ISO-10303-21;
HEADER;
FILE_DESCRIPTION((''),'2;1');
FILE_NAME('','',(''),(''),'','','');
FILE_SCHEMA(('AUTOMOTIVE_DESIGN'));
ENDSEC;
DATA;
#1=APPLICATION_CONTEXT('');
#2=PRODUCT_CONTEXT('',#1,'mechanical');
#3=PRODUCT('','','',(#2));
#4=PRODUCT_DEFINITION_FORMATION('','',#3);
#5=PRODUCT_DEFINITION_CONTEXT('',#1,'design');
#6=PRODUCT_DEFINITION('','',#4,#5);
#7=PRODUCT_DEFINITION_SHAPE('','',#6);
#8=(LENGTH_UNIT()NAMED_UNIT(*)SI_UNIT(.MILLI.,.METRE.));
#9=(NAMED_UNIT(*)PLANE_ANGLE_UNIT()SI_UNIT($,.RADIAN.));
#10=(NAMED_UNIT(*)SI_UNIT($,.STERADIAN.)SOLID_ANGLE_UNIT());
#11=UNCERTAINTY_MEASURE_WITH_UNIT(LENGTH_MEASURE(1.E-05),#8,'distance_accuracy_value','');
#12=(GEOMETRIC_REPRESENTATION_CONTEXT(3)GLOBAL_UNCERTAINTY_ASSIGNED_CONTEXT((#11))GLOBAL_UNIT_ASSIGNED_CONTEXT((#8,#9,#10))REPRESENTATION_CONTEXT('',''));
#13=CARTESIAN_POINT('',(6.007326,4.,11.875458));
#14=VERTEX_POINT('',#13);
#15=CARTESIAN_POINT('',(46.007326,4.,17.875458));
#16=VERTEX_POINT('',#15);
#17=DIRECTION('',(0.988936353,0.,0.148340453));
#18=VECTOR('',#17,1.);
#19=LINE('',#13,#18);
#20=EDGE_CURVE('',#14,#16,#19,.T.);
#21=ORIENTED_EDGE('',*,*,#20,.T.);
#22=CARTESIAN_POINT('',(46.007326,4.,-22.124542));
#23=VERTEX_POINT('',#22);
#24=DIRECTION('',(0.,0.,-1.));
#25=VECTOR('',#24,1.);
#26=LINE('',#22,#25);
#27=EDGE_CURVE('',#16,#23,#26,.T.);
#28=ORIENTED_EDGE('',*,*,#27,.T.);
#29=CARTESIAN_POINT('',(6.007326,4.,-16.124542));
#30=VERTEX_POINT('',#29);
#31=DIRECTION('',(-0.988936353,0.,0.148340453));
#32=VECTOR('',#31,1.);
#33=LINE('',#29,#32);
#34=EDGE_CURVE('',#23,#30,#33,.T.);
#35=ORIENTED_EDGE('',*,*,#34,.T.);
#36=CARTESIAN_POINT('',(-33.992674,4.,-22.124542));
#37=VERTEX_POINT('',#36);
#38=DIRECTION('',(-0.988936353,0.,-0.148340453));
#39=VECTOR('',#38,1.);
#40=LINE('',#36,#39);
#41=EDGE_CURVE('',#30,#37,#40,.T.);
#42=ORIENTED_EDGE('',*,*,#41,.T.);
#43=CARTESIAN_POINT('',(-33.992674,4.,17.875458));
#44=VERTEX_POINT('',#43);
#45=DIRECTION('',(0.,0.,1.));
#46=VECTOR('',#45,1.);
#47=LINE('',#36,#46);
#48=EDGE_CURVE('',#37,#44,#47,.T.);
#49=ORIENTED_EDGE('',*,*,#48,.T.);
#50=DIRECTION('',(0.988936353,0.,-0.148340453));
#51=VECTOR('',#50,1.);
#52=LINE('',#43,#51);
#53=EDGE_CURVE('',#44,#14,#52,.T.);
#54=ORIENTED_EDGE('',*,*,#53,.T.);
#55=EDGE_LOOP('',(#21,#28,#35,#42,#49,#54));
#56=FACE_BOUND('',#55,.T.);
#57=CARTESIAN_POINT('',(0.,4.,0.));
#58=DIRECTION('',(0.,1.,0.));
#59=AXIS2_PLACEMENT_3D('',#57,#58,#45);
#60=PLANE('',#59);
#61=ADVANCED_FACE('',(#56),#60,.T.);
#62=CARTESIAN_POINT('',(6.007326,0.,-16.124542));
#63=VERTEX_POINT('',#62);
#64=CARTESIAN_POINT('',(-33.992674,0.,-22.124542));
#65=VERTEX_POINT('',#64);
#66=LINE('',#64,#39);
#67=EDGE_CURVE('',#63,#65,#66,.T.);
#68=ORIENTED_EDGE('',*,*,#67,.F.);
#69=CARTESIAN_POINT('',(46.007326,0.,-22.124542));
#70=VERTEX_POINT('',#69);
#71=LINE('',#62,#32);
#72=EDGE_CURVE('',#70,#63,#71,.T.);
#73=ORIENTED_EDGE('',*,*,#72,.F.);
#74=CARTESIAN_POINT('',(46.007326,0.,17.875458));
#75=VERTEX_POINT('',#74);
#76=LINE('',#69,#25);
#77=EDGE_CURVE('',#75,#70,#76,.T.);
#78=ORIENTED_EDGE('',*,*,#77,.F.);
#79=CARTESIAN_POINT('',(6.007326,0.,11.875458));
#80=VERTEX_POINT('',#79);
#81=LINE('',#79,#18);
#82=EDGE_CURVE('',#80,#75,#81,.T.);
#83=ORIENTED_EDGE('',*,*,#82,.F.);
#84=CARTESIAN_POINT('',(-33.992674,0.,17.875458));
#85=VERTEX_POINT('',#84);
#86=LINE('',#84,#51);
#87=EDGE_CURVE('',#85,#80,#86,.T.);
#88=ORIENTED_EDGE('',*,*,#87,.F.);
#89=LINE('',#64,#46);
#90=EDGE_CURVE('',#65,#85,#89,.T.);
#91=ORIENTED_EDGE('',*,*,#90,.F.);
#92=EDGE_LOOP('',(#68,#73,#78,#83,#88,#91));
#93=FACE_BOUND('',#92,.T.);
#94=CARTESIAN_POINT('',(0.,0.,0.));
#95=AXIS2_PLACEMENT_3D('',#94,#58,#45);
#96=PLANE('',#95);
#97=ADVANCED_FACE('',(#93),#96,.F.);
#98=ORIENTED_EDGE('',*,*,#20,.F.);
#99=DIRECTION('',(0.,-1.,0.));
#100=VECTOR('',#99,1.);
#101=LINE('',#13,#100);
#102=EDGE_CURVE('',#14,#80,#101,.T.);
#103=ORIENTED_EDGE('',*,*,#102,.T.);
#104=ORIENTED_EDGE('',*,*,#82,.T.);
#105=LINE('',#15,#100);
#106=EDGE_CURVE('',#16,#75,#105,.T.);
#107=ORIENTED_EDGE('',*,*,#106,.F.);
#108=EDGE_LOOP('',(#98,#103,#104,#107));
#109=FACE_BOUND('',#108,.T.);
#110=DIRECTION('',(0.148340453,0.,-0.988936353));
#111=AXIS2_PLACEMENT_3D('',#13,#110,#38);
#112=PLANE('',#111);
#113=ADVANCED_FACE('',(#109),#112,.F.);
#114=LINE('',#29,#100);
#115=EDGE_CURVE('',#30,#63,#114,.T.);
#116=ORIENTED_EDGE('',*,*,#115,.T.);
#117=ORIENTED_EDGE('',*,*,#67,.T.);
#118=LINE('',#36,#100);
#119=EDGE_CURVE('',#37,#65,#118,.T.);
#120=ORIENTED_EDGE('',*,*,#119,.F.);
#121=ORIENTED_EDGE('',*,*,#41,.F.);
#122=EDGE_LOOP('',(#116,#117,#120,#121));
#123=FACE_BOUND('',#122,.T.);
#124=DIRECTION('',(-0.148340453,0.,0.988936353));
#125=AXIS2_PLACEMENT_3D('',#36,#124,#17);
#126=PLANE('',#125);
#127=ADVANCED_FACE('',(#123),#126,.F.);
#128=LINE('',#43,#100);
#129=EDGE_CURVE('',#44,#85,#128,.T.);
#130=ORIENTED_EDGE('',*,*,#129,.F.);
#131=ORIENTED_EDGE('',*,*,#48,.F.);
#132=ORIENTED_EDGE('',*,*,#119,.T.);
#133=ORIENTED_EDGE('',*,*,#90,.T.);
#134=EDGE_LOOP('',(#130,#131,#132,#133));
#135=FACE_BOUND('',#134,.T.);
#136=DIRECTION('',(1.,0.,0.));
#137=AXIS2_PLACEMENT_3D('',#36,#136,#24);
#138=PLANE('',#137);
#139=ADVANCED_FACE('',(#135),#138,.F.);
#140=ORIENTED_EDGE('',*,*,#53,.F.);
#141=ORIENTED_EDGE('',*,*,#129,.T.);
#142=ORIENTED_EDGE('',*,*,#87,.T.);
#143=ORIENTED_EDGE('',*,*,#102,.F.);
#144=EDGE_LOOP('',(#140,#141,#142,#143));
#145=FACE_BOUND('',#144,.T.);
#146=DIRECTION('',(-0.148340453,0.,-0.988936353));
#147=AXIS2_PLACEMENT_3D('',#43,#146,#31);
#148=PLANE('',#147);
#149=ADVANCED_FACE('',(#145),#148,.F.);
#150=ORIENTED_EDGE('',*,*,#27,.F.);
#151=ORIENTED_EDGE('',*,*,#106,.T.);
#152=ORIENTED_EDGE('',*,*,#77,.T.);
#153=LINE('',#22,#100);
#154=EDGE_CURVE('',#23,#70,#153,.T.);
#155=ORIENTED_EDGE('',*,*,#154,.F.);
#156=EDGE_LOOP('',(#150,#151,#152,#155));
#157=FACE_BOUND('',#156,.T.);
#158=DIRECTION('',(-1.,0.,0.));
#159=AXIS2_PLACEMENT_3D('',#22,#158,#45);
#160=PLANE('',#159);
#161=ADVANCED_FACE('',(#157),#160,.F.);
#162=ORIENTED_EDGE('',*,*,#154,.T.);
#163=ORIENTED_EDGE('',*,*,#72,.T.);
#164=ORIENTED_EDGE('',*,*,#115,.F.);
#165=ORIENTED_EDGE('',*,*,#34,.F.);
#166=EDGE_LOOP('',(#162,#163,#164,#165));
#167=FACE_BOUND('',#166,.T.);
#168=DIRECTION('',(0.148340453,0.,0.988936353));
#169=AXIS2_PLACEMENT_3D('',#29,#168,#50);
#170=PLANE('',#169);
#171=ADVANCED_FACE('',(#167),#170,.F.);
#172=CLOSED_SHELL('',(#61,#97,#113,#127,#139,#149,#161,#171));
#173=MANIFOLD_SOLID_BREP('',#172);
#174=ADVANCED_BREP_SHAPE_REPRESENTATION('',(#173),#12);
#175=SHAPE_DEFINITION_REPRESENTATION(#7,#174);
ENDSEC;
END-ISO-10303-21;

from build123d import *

# Parameters (mm, degrees)
BOSS_EXTRUDE1_DEPTH = 4


with BuildPart() as part:
    # Sketch1 → Boss-Extrude1 (new body)
    with BuildSketch(Plane(origin=(0, 0, 0), x_dir=(1, 0, 0), z_dir=(0, 1, 0))):
        Polygon((-33.992673993, 22.124542125), (6.007326007, 16.124542125), (46.007326007, 22.124542125), (46.007326007, -17.875457875), (6.007326007, -11.875457875), (-33.992673993, -17.875457875), align=None)
    extrude(amount=BOSS_EXTRUDE1_DEPTH)


solid = part.part
